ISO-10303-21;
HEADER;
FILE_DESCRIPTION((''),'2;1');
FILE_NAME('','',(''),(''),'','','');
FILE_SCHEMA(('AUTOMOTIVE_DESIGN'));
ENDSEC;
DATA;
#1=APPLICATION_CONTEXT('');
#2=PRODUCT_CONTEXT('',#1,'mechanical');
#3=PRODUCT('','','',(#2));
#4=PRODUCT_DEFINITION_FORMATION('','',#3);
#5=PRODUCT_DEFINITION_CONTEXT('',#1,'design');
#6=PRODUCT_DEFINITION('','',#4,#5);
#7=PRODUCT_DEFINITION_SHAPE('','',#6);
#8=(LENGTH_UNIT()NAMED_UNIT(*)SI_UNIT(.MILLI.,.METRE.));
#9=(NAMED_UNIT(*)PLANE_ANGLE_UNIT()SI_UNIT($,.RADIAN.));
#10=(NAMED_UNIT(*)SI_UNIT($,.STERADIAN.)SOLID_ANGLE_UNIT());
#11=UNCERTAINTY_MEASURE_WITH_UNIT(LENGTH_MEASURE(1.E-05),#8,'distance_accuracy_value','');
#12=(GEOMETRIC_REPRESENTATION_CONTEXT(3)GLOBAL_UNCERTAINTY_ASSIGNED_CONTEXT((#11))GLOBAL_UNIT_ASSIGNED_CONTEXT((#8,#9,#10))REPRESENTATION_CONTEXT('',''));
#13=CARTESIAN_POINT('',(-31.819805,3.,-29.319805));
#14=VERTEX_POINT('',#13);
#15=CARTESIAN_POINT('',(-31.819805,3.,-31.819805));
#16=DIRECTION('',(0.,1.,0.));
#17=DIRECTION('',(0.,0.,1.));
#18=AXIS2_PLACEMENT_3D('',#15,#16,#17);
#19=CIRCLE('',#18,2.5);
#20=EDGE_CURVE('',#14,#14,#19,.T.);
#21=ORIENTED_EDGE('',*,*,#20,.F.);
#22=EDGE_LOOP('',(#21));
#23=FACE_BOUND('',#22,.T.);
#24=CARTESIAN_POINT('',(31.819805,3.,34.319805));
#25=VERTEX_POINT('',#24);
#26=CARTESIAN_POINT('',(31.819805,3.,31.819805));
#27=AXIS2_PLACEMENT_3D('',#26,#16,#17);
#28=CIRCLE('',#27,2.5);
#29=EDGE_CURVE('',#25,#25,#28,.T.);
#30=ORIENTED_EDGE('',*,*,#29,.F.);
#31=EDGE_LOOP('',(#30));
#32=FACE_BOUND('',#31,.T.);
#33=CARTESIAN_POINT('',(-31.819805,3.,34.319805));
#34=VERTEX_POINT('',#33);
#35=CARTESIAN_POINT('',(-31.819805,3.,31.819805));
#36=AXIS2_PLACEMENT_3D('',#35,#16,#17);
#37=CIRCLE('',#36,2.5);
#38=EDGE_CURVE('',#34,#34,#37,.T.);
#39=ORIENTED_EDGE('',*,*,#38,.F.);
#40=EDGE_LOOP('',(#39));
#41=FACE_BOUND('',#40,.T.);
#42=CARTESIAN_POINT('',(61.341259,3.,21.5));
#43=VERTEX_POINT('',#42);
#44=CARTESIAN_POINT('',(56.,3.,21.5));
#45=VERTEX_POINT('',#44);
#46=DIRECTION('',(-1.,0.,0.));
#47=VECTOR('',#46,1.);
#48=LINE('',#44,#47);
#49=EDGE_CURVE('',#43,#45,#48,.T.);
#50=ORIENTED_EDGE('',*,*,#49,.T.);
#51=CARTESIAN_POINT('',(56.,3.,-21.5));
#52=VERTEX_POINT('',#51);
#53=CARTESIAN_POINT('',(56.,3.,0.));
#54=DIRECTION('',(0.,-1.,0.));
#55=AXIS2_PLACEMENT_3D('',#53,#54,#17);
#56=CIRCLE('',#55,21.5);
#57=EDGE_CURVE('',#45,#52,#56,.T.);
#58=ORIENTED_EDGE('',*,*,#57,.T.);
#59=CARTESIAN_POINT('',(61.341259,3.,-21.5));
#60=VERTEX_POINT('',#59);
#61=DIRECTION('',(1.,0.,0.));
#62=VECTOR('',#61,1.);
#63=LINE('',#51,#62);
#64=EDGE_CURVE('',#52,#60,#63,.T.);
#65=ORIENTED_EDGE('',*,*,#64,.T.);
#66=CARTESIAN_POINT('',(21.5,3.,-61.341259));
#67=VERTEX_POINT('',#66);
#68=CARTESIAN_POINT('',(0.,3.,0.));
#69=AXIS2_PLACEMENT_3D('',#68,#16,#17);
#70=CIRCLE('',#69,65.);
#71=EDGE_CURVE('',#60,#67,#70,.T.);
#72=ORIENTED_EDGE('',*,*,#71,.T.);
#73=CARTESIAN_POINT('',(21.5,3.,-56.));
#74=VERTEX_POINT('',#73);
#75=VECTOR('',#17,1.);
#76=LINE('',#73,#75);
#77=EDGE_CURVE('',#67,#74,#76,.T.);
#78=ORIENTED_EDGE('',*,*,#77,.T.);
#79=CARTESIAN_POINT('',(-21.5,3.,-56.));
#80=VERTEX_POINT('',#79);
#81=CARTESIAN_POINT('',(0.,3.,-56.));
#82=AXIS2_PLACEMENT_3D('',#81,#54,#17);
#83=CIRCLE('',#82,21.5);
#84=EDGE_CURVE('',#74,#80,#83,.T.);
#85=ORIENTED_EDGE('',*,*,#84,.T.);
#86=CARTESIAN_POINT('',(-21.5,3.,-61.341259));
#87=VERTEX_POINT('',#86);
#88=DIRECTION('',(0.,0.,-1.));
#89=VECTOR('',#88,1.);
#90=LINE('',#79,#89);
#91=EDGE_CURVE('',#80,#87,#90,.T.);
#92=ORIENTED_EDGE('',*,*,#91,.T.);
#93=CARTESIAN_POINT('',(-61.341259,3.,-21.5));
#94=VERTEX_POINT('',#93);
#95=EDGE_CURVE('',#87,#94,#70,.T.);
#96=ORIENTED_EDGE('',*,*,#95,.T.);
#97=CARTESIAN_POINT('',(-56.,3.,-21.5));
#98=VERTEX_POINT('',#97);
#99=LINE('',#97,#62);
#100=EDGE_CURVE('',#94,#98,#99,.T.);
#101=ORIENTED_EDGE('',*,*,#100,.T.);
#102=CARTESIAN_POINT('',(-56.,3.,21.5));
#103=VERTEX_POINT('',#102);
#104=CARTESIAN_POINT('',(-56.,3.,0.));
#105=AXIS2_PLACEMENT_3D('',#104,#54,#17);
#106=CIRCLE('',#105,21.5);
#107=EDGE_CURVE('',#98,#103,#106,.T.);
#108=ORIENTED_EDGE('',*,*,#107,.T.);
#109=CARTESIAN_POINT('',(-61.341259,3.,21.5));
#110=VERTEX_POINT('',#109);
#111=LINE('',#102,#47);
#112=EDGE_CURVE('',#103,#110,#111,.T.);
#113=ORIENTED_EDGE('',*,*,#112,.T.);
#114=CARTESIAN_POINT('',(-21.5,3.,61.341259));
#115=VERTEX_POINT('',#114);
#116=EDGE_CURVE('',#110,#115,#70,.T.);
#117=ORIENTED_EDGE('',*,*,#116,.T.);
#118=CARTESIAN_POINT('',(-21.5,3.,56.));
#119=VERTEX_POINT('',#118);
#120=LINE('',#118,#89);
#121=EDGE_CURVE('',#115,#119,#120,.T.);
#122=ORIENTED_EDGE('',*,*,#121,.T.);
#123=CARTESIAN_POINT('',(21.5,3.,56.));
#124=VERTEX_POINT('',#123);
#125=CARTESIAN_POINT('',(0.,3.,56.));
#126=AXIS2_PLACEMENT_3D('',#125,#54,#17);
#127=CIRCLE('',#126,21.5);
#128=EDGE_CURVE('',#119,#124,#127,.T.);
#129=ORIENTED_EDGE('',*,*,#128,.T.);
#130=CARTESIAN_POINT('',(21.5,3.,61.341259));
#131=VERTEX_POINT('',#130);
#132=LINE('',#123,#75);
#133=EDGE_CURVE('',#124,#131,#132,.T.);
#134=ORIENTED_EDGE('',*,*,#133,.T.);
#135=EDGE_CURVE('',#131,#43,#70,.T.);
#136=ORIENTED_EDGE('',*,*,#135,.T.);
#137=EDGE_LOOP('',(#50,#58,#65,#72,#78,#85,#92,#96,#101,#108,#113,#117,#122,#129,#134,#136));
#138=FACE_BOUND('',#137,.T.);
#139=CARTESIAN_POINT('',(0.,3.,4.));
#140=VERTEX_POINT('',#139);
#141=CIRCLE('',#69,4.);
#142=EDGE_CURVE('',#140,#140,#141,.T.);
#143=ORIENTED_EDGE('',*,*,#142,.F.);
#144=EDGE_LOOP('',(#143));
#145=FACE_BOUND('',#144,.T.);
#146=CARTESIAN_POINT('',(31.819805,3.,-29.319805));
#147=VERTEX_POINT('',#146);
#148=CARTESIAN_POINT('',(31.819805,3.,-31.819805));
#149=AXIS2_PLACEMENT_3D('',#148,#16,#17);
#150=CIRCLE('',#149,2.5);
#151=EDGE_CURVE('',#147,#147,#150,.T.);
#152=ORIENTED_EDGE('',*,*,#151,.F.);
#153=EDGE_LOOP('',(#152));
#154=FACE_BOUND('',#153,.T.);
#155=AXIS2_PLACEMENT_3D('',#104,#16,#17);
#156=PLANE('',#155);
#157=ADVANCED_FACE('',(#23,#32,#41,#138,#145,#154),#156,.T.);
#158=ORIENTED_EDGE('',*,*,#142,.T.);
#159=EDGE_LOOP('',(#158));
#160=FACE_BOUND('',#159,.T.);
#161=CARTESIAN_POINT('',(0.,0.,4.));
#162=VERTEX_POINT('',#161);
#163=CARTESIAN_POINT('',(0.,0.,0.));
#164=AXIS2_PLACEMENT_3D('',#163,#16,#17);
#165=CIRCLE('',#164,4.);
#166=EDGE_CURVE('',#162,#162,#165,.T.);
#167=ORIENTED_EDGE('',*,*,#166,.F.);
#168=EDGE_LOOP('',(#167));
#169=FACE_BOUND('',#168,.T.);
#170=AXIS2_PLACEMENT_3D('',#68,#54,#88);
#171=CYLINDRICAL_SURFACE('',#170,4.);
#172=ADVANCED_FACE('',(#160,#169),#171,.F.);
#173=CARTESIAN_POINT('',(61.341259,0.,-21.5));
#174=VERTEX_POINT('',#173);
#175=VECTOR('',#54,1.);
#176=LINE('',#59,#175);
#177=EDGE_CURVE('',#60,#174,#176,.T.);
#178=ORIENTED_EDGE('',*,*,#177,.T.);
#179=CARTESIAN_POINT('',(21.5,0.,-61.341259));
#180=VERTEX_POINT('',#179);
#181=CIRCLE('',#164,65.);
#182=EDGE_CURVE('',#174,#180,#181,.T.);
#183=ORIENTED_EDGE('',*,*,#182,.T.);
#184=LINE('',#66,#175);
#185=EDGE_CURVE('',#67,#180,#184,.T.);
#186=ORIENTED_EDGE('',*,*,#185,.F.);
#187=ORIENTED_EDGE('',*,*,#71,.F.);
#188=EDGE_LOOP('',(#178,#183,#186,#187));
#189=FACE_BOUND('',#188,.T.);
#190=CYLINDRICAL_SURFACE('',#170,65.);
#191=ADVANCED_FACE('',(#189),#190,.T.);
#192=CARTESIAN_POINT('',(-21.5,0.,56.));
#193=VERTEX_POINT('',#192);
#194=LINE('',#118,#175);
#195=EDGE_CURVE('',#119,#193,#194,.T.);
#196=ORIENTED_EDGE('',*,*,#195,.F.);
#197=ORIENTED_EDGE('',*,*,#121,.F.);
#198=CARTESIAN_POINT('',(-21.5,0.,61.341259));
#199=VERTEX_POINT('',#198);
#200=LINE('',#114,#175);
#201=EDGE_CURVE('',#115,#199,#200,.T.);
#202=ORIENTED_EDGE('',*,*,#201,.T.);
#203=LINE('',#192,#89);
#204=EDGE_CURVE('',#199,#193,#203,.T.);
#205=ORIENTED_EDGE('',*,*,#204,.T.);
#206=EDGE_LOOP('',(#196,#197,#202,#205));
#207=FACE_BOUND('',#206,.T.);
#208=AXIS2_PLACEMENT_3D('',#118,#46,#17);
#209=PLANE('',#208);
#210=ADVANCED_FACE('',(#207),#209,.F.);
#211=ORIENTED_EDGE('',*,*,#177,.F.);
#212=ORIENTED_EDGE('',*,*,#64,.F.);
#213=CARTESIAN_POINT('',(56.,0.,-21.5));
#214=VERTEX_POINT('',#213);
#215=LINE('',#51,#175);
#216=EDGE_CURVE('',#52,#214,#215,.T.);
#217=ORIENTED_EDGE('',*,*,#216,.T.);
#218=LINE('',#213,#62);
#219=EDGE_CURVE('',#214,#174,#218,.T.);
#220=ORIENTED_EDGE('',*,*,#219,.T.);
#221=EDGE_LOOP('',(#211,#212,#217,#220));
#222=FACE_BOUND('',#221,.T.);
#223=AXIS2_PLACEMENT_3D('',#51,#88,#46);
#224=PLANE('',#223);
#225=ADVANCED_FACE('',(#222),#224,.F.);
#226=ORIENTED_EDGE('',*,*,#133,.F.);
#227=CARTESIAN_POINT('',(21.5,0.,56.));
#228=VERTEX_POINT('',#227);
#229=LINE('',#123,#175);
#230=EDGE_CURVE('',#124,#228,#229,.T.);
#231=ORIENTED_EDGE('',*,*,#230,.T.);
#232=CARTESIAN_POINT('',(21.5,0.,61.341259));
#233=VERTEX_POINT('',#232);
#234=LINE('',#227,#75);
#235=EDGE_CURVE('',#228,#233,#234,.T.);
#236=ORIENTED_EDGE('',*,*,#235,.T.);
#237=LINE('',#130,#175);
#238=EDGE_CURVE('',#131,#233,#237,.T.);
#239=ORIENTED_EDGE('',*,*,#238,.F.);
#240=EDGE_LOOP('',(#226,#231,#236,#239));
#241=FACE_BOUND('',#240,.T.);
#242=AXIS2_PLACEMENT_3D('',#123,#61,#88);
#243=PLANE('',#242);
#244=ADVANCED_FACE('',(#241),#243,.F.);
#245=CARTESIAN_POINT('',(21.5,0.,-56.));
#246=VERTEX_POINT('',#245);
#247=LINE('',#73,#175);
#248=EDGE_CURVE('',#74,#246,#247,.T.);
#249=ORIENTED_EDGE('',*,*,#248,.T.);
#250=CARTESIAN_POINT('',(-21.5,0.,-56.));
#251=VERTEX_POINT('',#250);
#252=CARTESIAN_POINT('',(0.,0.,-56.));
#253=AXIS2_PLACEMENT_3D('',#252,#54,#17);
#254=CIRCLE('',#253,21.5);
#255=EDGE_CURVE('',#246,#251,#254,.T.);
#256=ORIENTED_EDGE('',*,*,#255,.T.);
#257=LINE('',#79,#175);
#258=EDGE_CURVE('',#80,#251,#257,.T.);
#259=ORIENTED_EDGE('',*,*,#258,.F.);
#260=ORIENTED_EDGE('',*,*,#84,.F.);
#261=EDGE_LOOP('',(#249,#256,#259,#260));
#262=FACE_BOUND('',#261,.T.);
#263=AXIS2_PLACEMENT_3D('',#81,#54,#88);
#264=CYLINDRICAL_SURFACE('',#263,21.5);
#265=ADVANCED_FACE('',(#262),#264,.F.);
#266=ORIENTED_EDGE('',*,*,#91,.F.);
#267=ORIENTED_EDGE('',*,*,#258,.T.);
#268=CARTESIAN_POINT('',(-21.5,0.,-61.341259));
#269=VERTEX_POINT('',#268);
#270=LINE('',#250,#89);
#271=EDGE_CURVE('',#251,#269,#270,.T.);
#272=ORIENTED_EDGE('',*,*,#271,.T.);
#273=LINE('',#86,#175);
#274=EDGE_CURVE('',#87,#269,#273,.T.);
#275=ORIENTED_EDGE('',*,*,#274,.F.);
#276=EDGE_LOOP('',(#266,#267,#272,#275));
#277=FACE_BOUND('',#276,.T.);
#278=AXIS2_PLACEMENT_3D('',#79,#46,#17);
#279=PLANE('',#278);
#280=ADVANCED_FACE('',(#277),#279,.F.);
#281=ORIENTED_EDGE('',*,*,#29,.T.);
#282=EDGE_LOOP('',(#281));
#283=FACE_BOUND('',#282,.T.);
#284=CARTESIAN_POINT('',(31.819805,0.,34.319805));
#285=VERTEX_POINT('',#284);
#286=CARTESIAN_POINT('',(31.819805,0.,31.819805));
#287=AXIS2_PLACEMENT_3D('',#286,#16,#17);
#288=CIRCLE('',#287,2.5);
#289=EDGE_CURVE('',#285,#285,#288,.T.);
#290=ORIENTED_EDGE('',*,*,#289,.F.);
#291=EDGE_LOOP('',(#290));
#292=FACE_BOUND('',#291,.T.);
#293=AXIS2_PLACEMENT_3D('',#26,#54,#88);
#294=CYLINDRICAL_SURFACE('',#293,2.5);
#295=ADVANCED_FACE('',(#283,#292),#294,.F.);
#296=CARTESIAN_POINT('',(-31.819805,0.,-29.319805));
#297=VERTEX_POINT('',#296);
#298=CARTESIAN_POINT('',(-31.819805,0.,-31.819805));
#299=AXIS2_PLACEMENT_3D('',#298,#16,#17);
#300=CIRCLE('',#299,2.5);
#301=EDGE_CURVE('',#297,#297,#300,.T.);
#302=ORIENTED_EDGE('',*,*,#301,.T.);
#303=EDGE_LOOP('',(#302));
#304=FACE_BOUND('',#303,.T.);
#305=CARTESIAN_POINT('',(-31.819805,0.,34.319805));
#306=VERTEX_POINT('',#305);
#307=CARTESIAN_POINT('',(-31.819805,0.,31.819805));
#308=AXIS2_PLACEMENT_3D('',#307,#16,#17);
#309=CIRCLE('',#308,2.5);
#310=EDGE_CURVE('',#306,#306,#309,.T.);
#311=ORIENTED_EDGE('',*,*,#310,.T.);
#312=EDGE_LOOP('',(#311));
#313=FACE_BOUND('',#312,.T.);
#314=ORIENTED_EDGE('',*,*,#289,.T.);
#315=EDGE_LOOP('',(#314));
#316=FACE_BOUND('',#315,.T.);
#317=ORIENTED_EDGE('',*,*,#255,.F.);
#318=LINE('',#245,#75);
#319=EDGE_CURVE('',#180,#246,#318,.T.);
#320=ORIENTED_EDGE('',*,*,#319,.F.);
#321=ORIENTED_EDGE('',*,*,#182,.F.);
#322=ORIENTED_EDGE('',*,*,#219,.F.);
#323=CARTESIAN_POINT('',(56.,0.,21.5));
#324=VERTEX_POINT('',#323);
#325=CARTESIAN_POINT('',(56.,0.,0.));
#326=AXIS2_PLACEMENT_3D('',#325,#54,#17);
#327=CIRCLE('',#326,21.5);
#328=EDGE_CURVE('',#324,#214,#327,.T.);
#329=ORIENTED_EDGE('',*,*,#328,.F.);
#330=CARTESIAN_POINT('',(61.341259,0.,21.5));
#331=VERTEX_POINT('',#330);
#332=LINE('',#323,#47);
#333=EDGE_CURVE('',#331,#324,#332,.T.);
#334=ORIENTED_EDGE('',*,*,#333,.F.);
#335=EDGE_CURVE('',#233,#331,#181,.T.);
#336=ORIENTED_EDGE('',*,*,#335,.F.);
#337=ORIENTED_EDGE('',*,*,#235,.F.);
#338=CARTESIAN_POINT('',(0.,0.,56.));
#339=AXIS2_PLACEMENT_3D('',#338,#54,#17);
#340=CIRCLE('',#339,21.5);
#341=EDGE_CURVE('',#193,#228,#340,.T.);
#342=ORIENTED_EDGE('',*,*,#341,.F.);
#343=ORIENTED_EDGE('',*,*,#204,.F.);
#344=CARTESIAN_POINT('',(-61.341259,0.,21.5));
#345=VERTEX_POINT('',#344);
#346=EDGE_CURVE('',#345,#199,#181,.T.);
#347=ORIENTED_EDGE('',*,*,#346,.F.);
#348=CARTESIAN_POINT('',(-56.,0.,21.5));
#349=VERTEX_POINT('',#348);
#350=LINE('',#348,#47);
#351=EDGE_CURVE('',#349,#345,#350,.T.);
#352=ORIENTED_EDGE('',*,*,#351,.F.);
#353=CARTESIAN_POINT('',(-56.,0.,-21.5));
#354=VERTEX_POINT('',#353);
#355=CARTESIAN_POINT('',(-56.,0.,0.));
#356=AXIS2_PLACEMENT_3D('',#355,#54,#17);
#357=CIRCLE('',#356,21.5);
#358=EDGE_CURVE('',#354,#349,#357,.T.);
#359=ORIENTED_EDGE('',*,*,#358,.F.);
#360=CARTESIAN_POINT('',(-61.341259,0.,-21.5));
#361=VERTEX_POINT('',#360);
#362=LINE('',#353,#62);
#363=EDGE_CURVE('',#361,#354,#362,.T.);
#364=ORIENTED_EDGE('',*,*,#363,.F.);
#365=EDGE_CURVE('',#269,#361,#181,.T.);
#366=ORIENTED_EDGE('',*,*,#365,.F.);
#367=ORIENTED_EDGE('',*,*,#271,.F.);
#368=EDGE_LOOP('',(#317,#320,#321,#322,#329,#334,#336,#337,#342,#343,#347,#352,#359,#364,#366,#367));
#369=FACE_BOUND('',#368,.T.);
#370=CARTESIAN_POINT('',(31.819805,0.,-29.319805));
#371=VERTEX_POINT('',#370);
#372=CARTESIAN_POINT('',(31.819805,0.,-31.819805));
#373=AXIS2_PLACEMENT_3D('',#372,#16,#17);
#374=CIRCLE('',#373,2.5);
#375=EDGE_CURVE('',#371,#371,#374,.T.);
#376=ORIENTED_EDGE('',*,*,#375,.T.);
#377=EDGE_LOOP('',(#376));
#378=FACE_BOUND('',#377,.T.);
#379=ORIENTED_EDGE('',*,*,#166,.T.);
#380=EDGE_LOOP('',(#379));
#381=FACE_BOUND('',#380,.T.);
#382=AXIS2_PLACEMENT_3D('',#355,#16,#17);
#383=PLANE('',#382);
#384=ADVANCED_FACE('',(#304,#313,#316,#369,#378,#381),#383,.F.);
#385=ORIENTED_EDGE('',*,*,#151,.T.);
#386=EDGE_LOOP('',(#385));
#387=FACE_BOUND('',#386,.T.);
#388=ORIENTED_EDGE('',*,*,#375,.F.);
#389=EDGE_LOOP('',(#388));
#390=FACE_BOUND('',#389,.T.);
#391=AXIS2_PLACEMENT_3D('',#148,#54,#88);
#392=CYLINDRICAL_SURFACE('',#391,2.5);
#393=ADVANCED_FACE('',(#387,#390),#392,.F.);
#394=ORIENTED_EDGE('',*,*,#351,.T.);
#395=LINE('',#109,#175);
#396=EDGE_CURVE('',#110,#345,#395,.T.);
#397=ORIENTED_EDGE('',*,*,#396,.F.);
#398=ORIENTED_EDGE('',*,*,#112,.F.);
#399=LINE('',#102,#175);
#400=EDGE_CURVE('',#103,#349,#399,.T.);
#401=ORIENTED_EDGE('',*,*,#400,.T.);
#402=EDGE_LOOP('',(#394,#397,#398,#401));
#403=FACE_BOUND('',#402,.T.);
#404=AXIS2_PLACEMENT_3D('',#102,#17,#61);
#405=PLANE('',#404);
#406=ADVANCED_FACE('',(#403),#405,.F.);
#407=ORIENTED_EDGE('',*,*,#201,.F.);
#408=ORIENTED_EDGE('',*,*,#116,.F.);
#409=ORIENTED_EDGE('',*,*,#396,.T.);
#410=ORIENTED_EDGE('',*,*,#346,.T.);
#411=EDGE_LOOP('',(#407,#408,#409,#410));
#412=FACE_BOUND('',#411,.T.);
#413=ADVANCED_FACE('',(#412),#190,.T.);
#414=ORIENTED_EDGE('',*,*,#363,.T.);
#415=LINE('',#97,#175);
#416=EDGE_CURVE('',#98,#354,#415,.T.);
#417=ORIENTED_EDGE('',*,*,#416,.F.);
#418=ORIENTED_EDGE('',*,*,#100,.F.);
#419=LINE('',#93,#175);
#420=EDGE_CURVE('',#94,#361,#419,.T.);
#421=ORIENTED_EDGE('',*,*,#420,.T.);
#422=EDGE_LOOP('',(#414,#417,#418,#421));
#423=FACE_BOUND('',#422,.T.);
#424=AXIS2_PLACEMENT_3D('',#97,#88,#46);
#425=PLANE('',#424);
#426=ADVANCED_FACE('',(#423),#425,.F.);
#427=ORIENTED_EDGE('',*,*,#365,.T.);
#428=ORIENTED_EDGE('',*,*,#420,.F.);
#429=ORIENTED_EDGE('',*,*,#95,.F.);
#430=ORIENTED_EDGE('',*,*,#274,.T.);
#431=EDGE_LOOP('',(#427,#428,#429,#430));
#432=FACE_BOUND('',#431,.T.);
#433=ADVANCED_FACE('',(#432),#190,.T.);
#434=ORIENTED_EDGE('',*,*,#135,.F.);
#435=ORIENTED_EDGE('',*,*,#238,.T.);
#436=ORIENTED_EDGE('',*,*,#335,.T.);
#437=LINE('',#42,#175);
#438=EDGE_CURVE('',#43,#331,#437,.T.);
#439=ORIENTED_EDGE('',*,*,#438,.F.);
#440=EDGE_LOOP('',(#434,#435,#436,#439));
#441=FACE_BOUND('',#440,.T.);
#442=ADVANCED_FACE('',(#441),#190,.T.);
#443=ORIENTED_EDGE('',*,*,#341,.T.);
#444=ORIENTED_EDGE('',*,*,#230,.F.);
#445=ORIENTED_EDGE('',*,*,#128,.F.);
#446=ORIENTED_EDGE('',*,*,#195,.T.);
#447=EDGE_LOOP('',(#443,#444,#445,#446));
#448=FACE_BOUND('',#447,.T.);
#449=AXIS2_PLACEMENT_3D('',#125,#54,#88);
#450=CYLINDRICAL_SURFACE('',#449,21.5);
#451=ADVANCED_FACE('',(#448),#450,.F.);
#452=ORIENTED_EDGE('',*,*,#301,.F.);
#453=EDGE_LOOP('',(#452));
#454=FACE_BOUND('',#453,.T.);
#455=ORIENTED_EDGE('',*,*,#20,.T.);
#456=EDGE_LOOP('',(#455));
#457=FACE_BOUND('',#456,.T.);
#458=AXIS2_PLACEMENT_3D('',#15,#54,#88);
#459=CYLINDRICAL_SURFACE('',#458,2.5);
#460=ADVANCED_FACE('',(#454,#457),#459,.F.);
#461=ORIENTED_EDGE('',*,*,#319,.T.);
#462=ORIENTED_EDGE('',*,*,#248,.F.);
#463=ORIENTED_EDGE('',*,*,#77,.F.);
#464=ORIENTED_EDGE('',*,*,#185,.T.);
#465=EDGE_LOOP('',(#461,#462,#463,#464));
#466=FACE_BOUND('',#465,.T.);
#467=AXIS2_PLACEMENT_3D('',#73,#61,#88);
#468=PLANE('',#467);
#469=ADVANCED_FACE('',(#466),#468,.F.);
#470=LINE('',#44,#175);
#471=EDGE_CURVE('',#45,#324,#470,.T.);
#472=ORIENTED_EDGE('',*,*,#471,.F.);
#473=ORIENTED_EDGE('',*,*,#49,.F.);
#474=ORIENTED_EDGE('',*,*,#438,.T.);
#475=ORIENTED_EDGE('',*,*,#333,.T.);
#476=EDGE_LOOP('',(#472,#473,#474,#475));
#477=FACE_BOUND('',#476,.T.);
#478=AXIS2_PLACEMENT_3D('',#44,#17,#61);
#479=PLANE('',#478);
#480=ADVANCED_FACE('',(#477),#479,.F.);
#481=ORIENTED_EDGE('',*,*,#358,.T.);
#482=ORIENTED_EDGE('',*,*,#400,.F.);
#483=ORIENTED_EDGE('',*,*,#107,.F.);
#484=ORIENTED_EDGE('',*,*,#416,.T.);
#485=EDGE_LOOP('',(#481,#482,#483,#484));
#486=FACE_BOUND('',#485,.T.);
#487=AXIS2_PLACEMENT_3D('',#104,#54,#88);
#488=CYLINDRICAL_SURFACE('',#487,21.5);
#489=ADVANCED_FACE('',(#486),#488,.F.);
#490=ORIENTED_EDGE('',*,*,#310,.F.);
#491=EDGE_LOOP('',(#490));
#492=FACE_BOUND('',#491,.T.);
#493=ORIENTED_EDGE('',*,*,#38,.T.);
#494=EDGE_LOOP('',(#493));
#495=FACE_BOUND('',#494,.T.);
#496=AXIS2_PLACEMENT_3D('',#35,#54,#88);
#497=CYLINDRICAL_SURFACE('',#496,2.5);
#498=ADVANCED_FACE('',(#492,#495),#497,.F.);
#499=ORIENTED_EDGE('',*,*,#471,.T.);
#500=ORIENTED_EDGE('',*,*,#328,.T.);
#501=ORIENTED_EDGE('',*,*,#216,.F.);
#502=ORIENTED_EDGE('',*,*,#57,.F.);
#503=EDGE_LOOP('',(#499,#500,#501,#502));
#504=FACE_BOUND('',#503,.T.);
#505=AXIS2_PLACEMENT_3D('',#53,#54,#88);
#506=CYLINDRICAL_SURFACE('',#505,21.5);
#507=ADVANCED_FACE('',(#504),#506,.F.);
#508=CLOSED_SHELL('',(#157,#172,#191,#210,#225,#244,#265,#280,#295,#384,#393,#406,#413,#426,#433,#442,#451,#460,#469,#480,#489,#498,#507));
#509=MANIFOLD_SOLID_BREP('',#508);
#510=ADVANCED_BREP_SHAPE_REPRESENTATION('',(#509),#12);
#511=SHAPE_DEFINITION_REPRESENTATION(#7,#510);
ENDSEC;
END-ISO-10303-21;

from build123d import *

# Parameters (mm, degrees)
SKETCH1_R           = 4
SKETCH1_R_2         = 2.5
BOSS_EXTRUDE1_DEPTH = 3


with BuildPart() as part:
    # Sketch1 → Boss-Extrude1 (new body)
    with BuildSketch(Plane(origin=(0, 0, 0), x_dir=(1, 0, 0), z_dir=(0, 1, 0))):
        with BuildLine():
            Line((-56, 21.5), (-61.341258546, 21.5))
            ThreePointArc((-61.341258546, 21.5), (-45.961940777, 45.961940777), (-21.5, 61.341258546))
            Line((-21.5, 61.341258546), (-21.5, 56))
            ThreePointArc((-21.5, 56), (0, 34.5), (21.5, 56))
            Line((21.5, 56), (21.5, 61.341258546))
            ThreePointArc((21.5, 61.341258546), (45.961940777, 45.961940777), (61.341258546, 21.5))
            Line((61.341258546, 21.5), (56, 21.5))
            ThreePointArc((56, 21.5), (34.5, 0), (56, -21.5))
            Line((56, -21.5), (61.341258546, -21.5))
            ThreePointArc((61.341258546, -21.5), (45.961940777, -45.961940777), (21.5, -61.341258546))
            Line((21.5, -61.341258546), (21.5, -56))
            ThreePointArc((21.5, -56), (0, -34.5), (-21.5, -56))
            Line((-21.5, -56), (-21.5, -61.341258546))
            ThreePointArc((-21.5, -61.341258546), (-45.961940777, -45.961940777), (-61.341258546, -21.5))
            Line((-61.341258546, -21.5), (-56, -21.5))
            ThreePointArc((-56, -21.5), (-34.5, 0), (-56, 21.5))
        make_face()
        with Locations(Location((0, 0, 0), (0, 0, 270))):
            Circle(SKETCH1_R, mode=Mode.SUBTRACT)
        with Locations(Location((-31.819805153, 31.819805153, 0), (0, 0, 270))):
            Circle(SKETCH1_R_2, mode=Mode.SUBTRACT)
        with Locations(Location((31.819805153, 31.819805153, 0), (0, 0, 270))):
            Circle(SKETCH1_R_2, mode=Mode.SUBTRACT)
        with Locations(Location((31.819805153, -31.819805153, 0), (0, 0, 270))):
            Circle(SKETCH1_R_2, mode=Mode.SUBTRACT)
        with Locations(Location((-31.819805153, -31.819805153, 0), (0, 0, 270))):
            Circle(SKETCH1_R_2, mode=Mode.SUBTRACT)
    extrude(amount=BOSS_EXTRUDE1_DEPTH)


solid = part.part
